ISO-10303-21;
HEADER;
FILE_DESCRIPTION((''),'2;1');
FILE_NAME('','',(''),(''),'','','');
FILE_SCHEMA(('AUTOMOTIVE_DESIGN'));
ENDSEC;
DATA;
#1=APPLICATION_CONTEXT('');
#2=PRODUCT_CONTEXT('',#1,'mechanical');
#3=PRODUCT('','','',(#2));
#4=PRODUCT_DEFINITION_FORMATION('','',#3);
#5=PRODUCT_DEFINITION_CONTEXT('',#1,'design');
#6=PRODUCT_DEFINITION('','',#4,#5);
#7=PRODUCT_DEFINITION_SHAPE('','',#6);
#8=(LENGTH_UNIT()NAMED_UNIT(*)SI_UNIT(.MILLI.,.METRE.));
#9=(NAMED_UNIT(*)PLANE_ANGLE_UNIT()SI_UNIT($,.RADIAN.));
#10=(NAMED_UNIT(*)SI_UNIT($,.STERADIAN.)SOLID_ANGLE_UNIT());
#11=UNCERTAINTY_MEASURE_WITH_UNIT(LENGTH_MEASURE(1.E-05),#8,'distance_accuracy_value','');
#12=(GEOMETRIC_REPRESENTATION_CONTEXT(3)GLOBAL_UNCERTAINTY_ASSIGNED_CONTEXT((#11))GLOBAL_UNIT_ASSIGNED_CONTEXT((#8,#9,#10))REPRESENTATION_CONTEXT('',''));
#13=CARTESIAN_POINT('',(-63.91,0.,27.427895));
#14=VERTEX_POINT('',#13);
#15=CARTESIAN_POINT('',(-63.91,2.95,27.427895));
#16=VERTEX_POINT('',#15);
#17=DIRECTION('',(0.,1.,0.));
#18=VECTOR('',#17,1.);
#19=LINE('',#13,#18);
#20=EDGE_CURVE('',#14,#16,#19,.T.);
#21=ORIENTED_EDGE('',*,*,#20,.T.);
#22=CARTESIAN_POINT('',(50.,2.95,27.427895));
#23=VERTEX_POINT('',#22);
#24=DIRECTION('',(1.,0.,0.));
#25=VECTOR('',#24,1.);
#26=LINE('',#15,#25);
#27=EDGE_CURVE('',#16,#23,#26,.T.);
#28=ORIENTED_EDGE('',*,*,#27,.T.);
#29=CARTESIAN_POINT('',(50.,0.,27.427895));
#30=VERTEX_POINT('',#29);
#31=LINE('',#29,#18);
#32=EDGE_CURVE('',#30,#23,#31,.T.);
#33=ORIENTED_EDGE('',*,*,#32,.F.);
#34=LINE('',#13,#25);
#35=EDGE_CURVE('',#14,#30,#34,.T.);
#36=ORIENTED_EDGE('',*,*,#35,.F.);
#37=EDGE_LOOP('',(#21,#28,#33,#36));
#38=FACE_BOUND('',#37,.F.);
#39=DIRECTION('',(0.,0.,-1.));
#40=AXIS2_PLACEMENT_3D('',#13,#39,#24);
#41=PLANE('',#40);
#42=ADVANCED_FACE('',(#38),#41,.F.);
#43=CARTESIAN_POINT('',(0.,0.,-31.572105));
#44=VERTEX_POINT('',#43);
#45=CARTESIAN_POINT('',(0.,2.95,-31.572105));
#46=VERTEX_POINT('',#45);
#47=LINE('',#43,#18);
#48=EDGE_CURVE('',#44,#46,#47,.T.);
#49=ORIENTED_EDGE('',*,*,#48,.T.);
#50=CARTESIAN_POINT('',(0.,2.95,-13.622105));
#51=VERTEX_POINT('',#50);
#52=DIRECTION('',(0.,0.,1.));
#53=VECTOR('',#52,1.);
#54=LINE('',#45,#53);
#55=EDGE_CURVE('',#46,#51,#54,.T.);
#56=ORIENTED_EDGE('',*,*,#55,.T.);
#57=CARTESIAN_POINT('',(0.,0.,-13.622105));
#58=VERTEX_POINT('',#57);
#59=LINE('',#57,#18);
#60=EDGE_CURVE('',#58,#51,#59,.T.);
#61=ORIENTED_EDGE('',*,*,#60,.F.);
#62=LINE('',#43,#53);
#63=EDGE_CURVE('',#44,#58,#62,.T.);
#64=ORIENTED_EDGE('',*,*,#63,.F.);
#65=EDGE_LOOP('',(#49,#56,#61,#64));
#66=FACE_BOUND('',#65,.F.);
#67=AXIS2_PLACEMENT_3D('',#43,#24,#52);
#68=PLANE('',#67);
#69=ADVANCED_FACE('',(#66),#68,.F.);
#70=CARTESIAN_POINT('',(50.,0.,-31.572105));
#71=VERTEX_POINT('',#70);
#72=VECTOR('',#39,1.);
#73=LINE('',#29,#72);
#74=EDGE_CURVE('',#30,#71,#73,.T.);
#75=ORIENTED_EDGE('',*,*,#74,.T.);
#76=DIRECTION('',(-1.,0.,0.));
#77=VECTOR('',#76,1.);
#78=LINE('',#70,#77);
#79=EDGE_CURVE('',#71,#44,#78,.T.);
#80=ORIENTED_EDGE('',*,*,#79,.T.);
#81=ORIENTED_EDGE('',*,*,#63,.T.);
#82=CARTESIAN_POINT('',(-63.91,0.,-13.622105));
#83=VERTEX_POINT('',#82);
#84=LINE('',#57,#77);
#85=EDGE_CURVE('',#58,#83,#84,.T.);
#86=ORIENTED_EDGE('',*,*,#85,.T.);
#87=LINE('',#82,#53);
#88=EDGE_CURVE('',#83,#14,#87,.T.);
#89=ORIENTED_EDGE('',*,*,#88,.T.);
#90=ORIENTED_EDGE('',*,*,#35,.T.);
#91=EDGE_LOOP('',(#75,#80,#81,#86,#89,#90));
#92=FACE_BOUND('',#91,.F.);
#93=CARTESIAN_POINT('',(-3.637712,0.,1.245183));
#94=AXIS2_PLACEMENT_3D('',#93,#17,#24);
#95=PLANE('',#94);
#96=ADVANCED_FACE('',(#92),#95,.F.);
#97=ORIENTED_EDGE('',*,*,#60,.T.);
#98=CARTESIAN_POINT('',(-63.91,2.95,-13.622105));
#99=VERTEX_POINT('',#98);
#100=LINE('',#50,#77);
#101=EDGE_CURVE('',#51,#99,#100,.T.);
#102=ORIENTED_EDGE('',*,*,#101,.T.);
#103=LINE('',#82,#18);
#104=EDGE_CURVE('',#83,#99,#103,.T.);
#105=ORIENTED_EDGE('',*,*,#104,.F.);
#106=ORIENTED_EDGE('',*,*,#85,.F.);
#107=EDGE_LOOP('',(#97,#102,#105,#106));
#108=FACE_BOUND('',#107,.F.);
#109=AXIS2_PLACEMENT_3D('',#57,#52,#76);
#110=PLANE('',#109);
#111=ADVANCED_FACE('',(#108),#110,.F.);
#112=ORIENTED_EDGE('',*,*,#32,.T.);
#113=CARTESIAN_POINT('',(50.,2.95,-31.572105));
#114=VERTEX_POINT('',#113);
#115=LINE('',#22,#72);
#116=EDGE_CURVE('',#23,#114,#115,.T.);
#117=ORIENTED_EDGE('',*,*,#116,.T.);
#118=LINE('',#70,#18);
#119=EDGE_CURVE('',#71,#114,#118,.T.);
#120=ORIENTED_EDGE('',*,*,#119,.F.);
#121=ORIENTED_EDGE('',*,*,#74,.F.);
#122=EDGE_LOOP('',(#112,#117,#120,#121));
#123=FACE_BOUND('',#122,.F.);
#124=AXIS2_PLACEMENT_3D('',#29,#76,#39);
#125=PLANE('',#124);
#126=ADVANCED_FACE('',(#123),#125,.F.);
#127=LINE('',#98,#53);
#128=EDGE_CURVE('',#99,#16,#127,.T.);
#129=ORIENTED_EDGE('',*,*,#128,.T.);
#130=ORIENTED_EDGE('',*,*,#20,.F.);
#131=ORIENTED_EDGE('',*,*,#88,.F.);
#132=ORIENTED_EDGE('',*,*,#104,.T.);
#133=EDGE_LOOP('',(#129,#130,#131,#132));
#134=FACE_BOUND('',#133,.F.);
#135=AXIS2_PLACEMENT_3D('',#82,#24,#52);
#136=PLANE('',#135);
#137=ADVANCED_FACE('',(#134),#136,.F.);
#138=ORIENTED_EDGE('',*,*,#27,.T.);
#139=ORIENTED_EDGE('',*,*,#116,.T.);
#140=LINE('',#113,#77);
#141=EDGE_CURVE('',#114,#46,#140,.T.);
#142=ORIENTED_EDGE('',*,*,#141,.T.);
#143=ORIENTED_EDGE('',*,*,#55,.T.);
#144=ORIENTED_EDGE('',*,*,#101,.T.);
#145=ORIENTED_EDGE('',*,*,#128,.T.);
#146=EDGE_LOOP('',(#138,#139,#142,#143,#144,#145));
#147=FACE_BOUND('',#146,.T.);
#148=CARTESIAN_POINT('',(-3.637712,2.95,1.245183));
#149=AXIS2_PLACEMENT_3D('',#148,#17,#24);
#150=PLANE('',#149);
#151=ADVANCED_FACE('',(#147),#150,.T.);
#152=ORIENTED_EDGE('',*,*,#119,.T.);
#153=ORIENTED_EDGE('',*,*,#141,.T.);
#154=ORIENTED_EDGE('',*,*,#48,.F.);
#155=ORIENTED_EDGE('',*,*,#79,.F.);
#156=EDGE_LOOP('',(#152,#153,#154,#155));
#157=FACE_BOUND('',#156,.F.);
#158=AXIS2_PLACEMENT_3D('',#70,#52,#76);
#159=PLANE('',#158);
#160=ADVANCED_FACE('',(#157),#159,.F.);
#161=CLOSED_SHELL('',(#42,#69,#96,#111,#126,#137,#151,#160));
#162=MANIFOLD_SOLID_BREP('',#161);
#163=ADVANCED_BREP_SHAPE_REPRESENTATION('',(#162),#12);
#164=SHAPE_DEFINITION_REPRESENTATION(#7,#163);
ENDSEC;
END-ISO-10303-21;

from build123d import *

# Parameters (mm, degrees)
BOSS_EXTRUDE2_DEPTH = 2.95


with BuildPart() as part:
    # Sketch1 → Boss-Extrude2 (new body)
    with BuildSketch(Plane(origin=(0, 0, 0), x_dir=(1, 0, 0), z_dir=(0, 1, 0))):
        Polygon((-63.91, 13.622104667), (-63.91, -27.427895333), (50, -27.427895333), (50, 16.572104667), (50, 31.572104667), (0, 31.572104667), (0, 13.622104667), align=None)
    extrude(amount=BOSS_EXTRUDE2_DEPTH)


solid = part.part
